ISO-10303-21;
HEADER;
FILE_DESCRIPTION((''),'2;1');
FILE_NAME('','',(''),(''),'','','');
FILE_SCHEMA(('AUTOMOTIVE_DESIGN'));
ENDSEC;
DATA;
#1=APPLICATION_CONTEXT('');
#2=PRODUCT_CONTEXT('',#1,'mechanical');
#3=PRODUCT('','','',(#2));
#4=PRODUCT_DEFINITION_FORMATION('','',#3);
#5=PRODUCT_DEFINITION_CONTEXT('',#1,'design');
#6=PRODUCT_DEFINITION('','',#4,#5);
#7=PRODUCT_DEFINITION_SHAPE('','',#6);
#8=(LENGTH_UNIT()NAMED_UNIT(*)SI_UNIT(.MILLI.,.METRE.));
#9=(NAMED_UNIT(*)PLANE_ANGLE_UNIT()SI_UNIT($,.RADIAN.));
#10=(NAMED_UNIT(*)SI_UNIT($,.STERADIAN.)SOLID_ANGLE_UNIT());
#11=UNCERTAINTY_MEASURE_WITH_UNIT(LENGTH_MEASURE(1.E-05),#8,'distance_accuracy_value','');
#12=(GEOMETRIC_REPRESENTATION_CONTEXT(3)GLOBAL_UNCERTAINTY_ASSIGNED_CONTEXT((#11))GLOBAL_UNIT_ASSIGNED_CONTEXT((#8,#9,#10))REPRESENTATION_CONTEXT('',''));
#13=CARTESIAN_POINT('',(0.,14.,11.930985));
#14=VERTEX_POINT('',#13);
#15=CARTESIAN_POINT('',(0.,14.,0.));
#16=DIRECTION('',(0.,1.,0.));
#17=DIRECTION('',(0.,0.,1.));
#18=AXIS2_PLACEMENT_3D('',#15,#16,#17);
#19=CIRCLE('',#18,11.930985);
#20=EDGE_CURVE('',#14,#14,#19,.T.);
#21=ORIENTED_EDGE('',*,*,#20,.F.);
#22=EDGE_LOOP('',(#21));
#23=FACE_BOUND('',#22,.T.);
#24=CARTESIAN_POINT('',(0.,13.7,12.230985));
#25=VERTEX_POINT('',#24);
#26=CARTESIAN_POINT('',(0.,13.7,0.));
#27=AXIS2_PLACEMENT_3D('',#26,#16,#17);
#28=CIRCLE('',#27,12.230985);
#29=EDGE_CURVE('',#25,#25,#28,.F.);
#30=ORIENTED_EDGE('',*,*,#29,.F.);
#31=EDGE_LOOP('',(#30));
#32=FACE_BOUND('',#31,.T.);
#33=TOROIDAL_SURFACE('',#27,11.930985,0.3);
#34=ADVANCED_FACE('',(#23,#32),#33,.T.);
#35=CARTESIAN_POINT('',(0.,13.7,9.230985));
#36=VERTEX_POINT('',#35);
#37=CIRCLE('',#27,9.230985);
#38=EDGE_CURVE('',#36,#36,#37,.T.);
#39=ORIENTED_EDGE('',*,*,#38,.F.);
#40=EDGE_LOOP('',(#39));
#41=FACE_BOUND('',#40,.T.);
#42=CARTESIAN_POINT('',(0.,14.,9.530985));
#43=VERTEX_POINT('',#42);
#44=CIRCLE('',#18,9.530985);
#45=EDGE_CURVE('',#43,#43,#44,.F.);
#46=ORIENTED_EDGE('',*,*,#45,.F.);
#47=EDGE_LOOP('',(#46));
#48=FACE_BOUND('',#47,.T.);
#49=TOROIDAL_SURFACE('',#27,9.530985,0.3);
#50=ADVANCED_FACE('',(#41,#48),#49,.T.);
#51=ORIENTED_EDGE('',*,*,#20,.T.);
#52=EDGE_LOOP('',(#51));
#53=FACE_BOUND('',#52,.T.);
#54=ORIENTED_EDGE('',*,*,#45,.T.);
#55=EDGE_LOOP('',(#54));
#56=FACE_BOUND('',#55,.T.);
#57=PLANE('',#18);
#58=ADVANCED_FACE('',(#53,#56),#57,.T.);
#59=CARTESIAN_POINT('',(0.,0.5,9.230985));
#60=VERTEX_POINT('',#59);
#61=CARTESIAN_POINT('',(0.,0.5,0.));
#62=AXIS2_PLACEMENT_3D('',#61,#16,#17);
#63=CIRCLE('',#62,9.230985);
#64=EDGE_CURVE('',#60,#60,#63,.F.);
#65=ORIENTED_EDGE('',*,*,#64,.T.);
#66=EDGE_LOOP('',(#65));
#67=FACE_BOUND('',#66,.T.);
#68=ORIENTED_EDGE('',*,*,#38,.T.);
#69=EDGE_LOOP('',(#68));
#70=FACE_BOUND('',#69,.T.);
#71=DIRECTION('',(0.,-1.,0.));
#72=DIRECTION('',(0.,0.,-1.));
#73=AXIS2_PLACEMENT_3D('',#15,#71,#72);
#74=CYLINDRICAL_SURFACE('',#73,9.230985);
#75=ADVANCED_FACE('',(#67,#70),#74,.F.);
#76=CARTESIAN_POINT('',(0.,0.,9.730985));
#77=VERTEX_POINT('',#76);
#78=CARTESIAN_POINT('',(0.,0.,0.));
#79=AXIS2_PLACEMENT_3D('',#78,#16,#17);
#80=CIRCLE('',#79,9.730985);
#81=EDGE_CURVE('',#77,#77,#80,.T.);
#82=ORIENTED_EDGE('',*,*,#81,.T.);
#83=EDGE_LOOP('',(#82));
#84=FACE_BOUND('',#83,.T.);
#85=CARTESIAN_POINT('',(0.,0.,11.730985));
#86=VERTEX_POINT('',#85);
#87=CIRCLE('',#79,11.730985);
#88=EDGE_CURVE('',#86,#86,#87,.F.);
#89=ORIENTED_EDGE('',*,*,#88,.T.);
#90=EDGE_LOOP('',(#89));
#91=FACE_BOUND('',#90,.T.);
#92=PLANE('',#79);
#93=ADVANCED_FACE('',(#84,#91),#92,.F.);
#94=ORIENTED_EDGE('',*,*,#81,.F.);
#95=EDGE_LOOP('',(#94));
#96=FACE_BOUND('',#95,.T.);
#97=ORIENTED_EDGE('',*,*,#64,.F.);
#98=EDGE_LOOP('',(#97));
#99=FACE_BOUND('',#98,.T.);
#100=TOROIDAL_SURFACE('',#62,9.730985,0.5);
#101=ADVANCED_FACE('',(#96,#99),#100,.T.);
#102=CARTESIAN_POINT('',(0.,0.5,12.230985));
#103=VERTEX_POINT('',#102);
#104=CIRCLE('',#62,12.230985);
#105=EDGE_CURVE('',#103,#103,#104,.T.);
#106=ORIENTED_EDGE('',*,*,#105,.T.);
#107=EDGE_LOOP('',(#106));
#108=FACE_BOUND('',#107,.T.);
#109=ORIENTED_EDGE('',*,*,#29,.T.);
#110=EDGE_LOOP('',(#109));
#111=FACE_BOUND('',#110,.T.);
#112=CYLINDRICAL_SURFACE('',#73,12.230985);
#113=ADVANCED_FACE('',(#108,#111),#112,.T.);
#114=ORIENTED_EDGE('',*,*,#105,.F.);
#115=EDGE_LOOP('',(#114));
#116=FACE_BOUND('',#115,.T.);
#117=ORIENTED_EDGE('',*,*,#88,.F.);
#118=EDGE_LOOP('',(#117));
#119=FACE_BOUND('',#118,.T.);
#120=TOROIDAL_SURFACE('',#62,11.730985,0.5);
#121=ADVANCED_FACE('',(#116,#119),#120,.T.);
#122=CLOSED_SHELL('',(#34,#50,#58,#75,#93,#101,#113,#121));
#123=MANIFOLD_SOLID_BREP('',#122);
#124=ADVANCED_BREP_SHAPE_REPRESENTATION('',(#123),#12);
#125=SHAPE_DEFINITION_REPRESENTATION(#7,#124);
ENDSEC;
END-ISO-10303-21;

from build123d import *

# Parameters (mm, degrees)
SKETCH1_R           = 12.230985
SKETCH1_R_2         = 9.230985
BOSS_EXTRUDE1_DEPTH = 14
FILLET1_R           = 0.3
FILLET5_R           = 0.3
FILLET6_R           = 0.5
FILLET7_R           = 0.5


with BuildPart() as part:
    # Sketch1 → Boss-Extrude1 (new body)
    with BuildSketch(Plane(origin=(0, 0, 0), x_dir=(1, 0, 0), z_dir=(0, 1, 0))):
        with Locations(Location((0, 0, 0), (0, 0, 270))):
            Circle(SKETCH1_R)
        with Locations(Location((0, 0, 0), (0, 0, 270))):
            Circle(SKETCH1_R_2, mode=Mode.SUBTRACT)
    extrude(amount=BOSS_EXTRUDE1_DEPTH)

    # Fillet1
    fillet1_edges = [part.edges().sort_by_distance(p)[0] for p in [
        (0, 14, -12.230985),
    ]]
    fillet(fillet1_edges, radius=FILLET1_R)

    # Fillet5
    fillet5_edges = [part.edges().sort_by_distance(p)[0] for p in [
        (0, 14, -9.230985),
    ]]
    fillet(fillet5_edges, radius=FILLET5_R)

    # Fillet6
    fillet6_edges = [part.edges().sort_by_distance(p)[0] for p in [
        (0, 0, -12.230985),
    ]]
    fillet(fillet6_edges, radius=FILLET6_R)

    # Fillet7
    fillet7_edges = [part.edges().sort_by_distance(p)[0] for p in [
        (0, 0, -9.230985),
    ]]
    fillet(fillet7_edges, radius=FILLET7_R)


solid = part.part
